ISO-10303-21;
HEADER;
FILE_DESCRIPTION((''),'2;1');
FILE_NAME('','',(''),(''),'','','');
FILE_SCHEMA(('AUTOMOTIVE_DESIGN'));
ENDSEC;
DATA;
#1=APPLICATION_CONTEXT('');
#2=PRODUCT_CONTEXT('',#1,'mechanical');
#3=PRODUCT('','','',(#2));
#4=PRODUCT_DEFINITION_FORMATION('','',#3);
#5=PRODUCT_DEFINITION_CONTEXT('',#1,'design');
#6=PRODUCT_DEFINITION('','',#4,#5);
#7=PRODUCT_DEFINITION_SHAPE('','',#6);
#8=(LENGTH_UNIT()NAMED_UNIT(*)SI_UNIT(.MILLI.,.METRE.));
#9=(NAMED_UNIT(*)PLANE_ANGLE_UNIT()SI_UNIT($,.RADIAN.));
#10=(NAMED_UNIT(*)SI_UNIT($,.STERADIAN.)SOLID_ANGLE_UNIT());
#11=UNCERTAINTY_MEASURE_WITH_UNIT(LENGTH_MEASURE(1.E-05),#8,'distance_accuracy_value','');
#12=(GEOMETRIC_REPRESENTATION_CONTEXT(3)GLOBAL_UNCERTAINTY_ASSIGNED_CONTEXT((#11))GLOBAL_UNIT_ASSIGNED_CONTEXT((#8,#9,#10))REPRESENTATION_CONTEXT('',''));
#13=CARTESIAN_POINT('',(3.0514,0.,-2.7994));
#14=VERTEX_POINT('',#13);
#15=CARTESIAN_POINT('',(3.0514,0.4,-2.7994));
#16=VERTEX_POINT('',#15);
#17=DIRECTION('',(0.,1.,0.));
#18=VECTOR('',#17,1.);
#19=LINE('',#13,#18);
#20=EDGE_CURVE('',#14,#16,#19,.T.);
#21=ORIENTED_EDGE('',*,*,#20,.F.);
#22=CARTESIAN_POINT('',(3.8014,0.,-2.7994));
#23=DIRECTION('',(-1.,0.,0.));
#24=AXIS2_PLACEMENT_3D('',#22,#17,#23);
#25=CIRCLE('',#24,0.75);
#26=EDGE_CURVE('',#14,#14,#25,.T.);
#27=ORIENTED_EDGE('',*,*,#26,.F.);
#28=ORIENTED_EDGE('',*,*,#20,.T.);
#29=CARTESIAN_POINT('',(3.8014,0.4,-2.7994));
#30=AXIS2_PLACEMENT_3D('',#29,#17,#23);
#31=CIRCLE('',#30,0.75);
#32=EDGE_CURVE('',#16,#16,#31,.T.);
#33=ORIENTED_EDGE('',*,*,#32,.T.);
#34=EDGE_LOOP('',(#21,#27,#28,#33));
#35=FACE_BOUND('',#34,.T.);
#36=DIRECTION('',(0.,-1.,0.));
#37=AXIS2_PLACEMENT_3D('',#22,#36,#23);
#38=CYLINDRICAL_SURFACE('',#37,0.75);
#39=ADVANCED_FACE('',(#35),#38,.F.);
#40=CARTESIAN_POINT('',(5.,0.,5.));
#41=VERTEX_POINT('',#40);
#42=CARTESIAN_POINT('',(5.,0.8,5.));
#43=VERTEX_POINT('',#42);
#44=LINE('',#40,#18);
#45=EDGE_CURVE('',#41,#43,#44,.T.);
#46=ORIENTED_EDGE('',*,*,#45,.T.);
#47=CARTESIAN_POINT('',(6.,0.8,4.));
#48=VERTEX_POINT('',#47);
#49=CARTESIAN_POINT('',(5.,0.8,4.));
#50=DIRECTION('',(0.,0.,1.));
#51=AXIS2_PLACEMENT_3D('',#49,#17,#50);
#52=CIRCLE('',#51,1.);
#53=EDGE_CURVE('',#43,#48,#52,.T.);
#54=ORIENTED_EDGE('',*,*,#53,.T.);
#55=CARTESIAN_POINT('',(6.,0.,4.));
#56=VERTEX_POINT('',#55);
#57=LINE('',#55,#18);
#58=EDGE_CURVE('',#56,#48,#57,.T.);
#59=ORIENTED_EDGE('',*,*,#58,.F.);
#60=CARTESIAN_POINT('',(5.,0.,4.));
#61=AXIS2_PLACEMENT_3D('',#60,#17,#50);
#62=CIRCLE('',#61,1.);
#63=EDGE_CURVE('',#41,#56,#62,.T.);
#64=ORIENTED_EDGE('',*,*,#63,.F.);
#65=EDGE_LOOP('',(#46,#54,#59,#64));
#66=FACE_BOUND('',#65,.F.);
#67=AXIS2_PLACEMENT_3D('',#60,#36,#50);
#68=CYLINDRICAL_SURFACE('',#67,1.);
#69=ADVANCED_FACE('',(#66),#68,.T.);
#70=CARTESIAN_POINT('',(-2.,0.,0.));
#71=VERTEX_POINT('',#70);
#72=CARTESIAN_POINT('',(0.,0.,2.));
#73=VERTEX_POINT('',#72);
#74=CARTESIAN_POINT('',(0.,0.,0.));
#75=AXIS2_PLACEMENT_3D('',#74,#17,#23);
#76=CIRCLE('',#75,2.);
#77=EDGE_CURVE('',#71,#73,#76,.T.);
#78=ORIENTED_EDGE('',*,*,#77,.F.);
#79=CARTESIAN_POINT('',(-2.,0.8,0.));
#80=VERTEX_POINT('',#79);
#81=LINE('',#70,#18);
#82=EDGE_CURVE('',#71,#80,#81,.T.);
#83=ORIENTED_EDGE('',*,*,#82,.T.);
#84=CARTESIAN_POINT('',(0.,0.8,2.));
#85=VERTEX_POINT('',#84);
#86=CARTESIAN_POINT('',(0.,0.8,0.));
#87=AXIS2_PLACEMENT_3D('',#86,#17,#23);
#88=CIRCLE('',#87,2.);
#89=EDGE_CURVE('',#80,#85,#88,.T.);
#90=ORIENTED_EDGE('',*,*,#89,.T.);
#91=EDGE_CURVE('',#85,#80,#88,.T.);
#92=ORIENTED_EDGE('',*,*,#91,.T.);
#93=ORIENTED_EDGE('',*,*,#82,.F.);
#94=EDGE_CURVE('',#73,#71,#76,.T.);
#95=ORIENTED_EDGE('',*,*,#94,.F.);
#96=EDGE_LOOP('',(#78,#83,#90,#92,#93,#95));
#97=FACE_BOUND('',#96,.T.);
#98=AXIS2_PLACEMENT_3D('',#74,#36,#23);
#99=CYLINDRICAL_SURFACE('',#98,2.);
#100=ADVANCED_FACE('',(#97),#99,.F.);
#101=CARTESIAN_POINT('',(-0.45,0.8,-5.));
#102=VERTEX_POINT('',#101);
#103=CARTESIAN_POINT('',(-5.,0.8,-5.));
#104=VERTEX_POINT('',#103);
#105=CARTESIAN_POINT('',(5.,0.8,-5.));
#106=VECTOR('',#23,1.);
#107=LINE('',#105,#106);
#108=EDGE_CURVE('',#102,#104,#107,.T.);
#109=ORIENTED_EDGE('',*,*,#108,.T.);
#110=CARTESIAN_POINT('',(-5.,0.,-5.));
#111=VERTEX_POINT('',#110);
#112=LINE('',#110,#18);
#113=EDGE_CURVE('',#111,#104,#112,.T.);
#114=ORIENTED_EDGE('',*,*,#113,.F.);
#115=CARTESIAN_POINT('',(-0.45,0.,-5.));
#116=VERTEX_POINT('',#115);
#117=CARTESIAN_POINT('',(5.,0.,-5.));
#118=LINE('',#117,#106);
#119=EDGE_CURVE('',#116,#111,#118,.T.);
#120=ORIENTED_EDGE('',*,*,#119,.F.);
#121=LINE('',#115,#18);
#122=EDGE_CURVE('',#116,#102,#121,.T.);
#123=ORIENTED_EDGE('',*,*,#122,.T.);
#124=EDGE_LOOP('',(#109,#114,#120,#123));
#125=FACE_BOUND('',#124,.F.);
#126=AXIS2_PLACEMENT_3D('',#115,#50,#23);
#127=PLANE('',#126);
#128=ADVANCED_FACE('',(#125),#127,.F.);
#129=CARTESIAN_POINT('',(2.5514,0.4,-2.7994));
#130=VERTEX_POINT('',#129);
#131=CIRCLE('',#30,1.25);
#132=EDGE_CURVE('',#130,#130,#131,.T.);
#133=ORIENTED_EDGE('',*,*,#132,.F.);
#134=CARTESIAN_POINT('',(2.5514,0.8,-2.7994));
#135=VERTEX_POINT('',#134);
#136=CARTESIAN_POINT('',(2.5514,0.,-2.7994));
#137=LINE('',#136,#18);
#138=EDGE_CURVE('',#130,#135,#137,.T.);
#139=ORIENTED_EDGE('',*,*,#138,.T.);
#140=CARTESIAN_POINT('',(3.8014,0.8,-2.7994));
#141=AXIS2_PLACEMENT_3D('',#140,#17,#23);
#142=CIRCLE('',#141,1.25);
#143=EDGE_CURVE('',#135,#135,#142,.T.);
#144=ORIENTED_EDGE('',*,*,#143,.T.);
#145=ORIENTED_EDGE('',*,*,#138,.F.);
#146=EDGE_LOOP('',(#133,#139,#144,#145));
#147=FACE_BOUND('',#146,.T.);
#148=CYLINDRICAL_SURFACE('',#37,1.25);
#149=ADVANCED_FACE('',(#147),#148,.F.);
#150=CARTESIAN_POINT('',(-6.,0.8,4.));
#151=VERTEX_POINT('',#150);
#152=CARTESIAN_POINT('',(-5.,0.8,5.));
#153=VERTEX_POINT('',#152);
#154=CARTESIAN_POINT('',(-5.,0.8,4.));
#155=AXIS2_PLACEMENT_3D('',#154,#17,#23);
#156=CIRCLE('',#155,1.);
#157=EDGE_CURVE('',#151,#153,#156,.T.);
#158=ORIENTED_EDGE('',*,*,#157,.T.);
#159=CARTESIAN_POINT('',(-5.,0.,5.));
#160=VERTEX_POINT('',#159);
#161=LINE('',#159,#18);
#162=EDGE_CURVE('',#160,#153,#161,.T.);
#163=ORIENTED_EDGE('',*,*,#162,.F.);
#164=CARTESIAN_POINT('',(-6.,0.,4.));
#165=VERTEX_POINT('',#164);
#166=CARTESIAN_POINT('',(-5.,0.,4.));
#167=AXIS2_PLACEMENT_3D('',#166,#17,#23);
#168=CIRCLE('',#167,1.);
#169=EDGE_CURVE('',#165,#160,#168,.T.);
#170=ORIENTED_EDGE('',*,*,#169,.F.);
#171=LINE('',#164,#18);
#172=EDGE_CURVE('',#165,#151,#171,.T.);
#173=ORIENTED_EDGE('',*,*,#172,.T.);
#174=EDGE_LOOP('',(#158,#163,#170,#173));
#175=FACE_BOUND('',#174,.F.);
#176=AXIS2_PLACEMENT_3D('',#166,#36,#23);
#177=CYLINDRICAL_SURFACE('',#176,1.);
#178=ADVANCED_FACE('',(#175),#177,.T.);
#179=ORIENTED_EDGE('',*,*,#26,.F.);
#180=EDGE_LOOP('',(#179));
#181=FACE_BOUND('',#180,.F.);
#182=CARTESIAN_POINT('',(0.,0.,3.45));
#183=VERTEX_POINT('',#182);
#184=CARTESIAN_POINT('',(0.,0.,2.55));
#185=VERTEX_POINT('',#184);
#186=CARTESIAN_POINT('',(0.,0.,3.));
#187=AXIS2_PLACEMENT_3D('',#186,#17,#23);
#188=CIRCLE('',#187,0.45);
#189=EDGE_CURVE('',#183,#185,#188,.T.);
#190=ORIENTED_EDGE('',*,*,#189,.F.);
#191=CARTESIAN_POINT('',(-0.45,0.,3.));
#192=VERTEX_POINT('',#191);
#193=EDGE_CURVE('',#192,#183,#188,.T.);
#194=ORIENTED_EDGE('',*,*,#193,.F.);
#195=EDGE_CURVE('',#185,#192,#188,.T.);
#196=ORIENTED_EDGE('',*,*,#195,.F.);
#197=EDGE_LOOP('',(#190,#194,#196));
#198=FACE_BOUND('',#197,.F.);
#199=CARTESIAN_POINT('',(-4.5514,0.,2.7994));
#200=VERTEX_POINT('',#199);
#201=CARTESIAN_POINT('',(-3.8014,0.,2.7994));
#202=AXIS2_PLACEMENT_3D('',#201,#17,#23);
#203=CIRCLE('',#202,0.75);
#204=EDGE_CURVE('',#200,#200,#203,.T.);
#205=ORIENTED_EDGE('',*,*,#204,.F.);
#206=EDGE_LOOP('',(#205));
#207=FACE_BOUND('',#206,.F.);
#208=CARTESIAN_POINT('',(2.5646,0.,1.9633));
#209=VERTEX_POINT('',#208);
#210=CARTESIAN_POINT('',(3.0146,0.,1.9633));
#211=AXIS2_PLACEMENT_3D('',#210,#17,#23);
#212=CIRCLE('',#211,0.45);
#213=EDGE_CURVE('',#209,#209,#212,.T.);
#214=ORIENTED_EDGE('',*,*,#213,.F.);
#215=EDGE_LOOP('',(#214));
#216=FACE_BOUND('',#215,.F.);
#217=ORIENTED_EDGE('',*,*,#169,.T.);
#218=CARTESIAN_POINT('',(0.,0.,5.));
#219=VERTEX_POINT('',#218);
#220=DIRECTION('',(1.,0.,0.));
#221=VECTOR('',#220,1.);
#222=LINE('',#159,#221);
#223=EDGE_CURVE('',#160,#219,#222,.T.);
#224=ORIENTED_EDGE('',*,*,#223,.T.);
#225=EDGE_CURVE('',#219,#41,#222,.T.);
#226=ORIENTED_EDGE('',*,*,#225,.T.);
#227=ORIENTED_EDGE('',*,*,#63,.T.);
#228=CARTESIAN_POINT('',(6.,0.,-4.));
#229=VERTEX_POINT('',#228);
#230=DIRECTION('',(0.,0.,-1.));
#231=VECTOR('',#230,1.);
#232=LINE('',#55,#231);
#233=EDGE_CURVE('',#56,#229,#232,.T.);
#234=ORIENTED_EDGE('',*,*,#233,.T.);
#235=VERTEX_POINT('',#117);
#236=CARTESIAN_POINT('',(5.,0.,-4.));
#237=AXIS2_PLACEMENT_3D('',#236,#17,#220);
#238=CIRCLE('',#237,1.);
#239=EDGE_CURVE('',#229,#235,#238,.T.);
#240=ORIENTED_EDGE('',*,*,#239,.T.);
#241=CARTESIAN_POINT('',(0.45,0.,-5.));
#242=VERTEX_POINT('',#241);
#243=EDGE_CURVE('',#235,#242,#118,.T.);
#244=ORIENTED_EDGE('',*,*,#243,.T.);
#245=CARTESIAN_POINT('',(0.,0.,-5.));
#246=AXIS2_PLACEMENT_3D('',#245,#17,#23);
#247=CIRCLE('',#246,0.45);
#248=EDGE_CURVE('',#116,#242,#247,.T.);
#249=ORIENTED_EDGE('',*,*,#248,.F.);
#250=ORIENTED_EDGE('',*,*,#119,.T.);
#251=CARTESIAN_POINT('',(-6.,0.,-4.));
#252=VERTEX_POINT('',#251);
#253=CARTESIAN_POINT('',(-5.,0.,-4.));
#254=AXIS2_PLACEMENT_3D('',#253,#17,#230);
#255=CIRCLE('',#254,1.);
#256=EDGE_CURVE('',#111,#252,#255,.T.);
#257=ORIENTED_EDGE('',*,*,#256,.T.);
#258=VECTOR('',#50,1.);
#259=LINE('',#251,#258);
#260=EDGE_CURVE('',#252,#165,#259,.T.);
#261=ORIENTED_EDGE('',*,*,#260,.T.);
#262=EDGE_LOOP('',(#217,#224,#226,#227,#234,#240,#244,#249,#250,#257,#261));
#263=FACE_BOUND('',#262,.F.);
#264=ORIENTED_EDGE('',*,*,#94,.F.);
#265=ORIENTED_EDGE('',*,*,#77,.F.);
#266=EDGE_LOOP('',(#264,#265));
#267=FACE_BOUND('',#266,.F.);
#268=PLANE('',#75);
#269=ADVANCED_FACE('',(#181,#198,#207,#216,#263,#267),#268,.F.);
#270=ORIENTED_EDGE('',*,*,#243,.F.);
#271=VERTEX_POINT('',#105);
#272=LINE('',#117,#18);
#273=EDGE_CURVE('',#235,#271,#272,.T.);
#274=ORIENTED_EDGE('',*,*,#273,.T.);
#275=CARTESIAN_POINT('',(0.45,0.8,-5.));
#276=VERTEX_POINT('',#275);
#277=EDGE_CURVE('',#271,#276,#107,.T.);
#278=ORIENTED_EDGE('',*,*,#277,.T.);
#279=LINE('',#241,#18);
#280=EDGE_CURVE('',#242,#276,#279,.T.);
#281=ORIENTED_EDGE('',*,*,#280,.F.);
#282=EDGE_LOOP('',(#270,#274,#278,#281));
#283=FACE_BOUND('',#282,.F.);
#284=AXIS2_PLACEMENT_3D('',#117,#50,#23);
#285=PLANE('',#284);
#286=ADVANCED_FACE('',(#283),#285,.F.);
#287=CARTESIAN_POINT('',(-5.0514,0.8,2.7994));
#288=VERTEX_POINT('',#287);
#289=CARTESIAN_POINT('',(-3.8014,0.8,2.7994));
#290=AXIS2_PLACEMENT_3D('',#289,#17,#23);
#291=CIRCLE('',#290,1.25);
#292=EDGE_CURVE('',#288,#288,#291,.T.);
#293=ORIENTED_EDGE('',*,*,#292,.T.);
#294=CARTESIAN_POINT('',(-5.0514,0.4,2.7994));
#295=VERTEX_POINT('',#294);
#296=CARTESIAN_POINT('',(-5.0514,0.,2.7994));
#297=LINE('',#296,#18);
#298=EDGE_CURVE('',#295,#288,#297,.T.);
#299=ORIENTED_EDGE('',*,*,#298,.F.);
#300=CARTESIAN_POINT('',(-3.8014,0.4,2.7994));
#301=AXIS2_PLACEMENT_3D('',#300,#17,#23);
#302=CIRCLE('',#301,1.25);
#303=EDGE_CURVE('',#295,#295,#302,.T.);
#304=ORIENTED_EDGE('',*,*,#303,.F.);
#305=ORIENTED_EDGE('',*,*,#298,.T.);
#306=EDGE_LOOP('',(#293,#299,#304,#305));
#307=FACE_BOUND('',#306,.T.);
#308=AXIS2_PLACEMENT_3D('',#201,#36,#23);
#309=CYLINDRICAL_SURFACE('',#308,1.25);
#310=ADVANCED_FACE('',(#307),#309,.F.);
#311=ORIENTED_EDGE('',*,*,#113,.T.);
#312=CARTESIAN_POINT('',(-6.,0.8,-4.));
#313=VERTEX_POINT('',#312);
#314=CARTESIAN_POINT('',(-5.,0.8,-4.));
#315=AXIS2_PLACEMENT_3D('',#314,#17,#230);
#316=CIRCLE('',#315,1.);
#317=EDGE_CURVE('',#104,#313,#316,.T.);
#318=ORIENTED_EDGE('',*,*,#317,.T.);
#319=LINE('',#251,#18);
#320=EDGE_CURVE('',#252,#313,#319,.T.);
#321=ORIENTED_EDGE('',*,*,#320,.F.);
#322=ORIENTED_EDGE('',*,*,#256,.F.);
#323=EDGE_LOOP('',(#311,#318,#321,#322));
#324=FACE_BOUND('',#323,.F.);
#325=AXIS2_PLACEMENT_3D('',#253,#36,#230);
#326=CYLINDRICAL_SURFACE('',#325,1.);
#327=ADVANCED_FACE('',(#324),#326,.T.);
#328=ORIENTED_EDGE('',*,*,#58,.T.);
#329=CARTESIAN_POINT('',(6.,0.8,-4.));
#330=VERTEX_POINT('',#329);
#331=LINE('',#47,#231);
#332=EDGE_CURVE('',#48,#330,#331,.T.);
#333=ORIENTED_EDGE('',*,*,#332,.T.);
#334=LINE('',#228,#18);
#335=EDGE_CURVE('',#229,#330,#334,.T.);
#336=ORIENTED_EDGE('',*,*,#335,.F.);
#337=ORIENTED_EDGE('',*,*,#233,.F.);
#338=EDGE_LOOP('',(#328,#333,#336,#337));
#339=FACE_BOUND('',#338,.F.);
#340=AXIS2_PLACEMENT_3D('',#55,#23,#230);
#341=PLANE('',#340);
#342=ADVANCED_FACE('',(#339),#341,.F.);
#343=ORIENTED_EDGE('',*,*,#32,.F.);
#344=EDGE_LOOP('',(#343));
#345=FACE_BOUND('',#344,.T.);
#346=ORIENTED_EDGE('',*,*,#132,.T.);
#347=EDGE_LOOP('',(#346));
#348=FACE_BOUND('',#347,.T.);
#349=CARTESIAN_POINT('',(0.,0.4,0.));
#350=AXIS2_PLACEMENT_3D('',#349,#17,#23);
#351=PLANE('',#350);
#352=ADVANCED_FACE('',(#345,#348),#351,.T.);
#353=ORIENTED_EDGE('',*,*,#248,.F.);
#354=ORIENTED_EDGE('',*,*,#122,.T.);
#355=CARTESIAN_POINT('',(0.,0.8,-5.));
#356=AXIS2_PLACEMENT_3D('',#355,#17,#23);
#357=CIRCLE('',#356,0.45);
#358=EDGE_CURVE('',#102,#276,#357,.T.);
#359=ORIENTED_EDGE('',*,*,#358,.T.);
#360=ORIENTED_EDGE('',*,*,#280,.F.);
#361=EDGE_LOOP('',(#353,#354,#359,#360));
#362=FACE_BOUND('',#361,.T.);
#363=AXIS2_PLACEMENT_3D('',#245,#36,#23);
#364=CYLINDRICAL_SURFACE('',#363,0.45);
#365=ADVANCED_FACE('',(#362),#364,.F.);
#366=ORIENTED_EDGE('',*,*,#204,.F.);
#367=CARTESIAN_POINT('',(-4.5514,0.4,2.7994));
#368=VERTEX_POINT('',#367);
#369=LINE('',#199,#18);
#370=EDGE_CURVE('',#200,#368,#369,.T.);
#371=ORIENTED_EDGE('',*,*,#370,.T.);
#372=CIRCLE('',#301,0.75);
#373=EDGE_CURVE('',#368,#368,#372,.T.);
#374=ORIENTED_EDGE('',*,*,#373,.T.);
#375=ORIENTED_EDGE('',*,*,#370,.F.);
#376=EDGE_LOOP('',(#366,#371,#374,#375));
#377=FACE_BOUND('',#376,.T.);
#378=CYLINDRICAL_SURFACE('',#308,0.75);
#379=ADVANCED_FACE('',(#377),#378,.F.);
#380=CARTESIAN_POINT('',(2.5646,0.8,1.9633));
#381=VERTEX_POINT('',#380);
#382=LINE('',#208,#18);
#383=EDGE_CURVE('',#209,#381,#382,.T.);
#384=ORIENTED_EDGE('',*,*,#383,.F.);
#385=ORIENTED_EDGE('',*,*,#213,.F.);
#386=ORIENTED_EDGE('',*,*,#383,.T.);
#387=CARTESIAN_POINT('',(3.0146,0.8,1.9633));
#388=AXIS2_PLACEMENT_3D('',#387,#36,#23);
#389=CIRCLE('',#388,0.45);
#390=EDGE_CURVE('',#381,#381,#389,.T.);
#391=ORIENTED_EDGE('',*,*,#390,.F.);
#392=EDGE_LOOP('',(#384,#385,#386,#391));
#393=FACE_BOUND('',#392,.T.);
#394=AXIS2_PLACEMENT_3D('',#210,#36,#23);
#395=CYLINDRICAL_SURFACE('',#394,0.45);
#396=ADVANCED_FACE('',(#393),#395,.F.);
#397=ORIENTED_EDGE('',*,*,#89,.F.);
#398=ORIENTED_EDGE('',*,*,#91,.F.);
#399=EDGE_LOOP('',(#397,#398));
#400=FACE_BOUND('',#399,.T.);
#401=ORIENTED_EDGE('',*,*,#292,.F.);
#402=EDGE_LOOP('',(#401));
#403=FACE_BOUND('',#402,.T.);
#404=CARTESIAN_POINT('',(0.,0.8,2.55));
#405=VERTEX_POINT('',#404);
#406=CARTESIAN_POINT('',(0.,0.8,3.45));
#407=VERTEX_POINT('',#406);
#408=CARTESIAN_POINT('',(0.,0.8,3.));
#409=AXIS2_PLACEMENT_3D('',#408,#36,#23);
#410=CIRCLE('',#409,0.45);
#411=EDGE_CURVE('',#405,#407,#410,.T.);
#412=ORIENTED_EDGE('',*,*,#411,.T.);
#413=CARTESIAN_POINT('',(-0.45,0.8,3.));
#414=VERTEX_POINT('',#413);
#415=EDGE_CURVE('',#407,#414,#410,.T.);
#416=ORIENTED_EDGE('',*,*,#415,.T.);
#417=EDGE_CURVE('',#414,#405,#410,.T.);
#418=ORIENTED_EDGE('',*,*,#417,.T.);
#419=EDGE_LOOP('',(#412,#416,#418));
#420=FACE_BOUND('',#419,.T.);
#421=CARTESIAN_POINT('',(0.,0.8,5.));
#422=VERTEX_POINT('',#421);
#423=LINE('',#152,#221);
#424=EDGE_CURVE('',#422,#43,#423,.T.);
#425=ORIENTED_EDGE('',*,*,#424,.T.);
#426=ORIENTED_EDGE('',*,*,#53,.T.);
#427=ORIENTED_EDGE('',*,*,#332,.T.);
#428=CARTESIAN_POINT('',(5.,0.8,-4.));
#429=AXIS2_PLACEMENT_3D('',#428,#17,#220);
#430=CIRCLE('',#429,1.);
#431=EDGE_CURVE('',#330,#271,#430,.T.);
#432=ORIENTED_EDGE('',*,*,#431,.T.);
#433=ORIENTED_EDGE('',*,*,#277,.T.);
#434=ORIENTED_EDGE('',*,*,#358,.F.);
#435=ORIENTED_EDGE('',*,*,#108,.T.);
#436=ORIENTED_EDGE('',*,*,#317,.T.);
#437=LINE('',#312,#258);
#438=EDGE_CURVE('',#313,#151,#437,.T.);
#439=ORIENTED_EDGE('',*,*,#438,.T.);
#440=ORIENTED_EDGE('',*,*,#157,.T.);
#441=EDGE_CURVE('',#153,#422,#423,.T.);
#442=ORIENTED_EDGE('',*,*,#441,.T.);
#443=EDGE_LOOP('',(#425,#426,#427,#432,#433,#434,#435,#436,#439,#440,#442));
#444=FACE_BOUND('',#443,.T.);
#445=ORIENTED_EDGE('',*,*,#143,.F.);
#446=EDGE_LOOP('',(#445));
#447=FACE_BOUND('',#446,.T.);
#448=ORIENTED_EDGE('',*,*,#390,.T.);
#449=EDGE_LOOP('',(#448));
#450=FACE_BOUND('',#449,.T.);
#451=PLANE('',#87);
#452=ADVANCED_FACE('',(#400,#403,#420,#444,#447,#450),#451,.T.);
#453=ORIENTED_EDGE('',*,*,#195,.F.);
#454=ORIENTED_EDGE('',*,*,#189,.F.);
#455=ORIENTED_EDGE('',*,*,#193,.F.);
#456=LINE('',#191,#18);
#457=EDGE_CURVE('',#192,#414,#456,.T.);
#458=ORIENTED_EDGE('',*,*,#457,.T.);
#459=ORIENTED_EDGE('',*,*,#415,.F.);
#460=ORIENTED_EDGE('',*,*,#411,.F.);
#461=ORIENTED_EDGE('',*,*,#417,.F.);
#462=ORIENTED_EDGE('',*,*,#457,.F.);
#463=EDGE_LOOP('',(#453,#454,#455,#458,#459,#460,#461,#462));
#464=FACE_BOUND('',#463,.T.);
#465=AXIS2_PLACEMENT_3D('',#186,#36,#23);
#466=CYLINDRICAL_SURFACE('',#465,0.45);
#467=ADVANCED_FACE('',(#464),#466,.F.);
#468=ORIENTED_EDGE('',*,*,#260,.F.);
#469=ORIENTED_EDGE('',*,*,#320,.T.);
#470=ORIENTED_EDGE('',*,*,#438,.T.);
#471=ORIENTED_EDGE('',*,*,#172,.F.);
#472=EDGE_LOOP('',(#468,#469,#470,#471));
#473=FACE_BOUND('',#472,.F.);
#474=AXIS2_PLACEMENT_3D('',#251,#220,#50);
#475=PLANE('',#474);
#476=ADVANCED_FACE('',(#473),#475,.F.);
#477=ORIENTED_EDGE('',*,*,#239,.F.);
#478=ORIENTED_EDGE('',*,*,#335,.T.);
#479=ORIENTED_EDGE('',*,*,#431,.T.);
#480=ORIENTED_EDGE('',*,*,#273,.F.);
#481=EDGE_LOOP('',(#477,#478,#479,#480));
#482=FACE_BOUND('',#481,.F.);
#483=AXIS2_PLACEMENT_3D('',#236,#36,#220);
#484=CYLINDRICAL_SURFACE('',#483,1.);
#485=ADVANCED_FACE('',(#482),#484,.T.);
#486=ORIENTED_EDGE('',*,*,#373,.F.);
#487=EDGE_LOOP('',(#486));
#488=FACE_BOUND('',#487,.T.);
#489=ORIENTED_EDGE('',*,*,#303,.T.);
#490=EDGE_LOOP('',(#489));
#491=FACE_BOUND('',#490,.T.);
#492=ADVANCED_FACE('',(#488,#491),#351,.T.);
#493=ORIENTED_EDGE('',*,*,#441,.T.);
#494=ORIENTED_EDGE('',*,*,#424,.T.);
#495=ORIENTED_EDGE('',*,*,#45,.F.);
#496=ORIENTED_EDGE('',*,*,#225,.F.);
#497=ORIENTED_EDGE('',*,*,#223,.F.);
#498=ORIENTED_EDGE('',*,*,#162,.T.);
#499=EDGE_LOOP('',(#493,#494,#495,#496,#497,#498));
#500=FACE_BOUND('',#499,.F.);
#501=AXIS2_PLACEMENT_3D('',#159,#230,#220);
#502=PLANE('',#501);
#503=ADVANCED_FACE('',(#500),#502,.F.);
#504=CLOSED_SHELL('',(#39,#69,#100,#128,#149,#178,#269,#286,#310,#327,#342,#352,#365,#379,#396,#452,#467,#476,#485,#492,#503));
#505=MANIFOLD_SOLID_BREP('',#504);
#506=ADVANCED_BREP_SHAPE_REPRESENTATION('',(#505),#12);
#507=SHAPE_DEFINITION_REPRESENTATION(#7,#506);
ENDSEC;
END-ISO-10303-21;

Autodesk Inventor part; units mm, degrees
ref_plane "YZ Plane" through (0, 0, 0) normal (1, 0, 0) x (0, 1, 0)
ref_plane "XZ Plane" through (0, 0, 0) normal (0, 1, 0) x (-1, 0, 0)
ref_plane "XY Plane" through (0, 0, 0) normal (0, 0, 1) x (1, 0, 0)
sketch "Esboço2" plane through (0, 0, 0) normal (0, 1, 0) x (-1, 0, 0)
  circle A0 centre (3.8014, 2.7994) radius 1.25
  circle A1 centre (-3.8014, -2.7994) radius 1.25
  arc A2 (-5, 5) -> (-6, 4) centre (-5, 4) ccw
  line L0 (-6, 4) -> (-6, -4)
  arc A3 (-6, -4) -> (-5, -5) centre (-5, -4) ccw
  line L1 (-5, -5) -> (5, -5)
  arc A4 (5, -5) -> (6, -4) centre (5, -4) ccw
  line L2 (6, -4) -> (6, 4)
  arc A5 (6, 4) -> (5, 5) centre (5, 4) ccw
  line L3 (5, 5) -> (-5, 5)
  circle A6 centre (0, 0) radius 2
  arc A7 (0.45, -5) -> (-0.45, -5) centre (0, -5) ccw
  circle A8 centre (3.8014, 2.7994) radius 0.75
  circle A9 centre (-3.8014, -2.7994) radius 0.75
  circle A10 centre (-3.0146, 1.9633) radius 0.45
  circle A11 centre (0, 3) radius 0.45
  line L4 (0, 0) -> (0, 5)
  dimension "d16" = 0.9
  dimension "d17" = 1.5
  dimension "d18" = 1.5
  dimension "d23" = 4
  dimension "d26" = 2
  dimension "d27" = 0
extrude "Extrusão3" add sketch "Esboço2" along normal blind 0.8 contours A11 L4 | L4 A11 | L3 A5 L2 A4 L1 A7 A3 L0 A2 | A10
extrude "Extrusão4" add sketch "Esboço2" along normal blind 0.4 contours A0 | A1
extrude "Extrusão5" cut sketch "Esboço2" along normal blind 10 contours A10
extrude "Extrusão6" cut sketch "Esboço2" along normal blind 10 contours A11 L4 | L4 A11
sketch "Esboço4" plane through (0, 0.8, 0) normal (0, 1, 0) x (1, 0, 0)
  point P0 (0, 0)
properties part number "Chapa Inferior"
